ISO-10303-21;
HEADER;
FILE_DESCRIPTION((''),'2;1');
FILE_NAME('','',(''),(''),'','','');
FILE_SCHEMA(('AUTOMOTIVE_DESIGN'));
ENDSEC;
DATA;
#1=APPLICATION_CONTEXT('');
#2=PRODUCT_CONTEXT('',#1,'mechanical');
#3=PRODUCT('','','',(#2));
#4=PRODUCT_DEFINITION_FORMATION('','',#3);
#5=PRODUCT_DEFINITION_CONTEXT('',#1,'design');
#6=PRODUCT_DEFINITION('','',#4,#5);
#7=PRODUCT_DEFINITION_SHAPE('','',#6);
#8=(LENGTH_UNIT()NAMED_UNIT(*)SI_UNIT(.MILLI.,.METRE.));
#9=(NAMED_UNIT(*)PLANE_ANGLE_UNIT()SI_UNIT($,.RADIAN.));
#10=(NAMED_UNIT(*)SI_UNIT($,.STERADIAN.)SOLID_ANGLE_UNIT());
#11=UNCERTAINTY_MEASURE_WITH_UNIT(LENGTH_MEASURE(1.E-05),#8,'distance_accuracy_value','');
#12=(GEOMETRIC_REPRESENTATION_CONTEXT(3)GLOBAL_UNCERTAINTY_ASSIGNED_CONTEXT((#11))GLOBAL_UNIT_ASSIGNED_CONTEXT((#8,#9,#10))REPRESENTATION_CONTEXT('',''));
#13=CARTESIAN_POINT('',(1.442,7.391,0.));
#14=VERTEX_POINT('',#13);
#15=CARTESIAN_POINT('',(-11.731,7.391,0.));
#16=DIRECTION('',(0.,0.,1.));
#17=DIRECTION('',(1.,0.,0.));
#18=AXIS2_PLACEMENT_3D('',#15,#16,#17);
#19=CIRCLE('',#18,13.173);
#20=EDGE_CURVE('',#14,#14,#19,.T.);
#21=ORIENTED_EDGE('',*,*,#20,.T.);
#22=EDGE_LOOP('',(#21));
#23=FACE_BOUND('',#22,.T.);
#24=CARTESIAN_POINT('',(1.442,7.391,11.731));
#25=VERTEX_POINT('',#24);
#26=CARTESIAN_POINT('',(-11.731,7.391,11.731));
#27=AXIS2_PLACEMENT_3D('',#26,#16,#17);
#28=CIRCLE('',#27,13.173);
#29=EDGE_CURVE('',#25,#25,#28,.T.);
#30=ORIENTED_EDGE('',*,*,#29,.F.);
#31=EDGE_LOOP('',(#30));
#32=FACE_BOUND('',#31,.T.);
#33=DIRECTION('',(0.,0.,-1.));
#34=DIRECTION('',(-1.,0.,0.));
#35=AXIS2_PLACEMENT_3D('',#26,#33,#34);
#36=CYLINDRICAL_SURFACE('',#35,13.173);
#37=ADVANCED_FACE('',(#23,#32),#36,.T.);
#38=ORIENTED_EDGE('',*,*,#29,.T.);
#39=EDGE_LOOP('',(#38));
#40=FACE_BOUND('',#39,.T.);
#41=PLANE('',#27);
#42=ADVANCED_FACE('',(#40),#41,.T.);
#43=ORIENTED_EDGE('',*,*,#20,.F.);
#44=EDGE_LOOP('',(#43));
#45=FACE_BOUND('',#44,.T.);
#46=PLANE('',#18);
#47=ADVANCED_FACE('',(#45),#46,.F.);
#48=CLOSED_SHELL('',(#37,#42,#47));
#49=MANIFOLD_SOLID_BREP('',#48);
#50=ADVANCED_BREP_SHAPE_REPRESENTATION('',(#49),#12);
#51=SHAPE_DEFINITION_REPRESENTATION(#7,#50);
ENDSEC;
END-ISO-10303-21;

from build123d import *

# Parameters (mm, degrees)
CURVESKETCH_R   = 13.173
CURVEBOSS_DEPTH = 11.731


with BuildPart() as part:
    # CurveSketch → CurveBoss (new body)
    with BuildSketch(Plane.XY):
        with Locations((-11.731, 7.391)):
            Circle(CURVESKETCH_R)
    extrude(amount=CURVEBOSS_DEPTH)


solid = part.part
